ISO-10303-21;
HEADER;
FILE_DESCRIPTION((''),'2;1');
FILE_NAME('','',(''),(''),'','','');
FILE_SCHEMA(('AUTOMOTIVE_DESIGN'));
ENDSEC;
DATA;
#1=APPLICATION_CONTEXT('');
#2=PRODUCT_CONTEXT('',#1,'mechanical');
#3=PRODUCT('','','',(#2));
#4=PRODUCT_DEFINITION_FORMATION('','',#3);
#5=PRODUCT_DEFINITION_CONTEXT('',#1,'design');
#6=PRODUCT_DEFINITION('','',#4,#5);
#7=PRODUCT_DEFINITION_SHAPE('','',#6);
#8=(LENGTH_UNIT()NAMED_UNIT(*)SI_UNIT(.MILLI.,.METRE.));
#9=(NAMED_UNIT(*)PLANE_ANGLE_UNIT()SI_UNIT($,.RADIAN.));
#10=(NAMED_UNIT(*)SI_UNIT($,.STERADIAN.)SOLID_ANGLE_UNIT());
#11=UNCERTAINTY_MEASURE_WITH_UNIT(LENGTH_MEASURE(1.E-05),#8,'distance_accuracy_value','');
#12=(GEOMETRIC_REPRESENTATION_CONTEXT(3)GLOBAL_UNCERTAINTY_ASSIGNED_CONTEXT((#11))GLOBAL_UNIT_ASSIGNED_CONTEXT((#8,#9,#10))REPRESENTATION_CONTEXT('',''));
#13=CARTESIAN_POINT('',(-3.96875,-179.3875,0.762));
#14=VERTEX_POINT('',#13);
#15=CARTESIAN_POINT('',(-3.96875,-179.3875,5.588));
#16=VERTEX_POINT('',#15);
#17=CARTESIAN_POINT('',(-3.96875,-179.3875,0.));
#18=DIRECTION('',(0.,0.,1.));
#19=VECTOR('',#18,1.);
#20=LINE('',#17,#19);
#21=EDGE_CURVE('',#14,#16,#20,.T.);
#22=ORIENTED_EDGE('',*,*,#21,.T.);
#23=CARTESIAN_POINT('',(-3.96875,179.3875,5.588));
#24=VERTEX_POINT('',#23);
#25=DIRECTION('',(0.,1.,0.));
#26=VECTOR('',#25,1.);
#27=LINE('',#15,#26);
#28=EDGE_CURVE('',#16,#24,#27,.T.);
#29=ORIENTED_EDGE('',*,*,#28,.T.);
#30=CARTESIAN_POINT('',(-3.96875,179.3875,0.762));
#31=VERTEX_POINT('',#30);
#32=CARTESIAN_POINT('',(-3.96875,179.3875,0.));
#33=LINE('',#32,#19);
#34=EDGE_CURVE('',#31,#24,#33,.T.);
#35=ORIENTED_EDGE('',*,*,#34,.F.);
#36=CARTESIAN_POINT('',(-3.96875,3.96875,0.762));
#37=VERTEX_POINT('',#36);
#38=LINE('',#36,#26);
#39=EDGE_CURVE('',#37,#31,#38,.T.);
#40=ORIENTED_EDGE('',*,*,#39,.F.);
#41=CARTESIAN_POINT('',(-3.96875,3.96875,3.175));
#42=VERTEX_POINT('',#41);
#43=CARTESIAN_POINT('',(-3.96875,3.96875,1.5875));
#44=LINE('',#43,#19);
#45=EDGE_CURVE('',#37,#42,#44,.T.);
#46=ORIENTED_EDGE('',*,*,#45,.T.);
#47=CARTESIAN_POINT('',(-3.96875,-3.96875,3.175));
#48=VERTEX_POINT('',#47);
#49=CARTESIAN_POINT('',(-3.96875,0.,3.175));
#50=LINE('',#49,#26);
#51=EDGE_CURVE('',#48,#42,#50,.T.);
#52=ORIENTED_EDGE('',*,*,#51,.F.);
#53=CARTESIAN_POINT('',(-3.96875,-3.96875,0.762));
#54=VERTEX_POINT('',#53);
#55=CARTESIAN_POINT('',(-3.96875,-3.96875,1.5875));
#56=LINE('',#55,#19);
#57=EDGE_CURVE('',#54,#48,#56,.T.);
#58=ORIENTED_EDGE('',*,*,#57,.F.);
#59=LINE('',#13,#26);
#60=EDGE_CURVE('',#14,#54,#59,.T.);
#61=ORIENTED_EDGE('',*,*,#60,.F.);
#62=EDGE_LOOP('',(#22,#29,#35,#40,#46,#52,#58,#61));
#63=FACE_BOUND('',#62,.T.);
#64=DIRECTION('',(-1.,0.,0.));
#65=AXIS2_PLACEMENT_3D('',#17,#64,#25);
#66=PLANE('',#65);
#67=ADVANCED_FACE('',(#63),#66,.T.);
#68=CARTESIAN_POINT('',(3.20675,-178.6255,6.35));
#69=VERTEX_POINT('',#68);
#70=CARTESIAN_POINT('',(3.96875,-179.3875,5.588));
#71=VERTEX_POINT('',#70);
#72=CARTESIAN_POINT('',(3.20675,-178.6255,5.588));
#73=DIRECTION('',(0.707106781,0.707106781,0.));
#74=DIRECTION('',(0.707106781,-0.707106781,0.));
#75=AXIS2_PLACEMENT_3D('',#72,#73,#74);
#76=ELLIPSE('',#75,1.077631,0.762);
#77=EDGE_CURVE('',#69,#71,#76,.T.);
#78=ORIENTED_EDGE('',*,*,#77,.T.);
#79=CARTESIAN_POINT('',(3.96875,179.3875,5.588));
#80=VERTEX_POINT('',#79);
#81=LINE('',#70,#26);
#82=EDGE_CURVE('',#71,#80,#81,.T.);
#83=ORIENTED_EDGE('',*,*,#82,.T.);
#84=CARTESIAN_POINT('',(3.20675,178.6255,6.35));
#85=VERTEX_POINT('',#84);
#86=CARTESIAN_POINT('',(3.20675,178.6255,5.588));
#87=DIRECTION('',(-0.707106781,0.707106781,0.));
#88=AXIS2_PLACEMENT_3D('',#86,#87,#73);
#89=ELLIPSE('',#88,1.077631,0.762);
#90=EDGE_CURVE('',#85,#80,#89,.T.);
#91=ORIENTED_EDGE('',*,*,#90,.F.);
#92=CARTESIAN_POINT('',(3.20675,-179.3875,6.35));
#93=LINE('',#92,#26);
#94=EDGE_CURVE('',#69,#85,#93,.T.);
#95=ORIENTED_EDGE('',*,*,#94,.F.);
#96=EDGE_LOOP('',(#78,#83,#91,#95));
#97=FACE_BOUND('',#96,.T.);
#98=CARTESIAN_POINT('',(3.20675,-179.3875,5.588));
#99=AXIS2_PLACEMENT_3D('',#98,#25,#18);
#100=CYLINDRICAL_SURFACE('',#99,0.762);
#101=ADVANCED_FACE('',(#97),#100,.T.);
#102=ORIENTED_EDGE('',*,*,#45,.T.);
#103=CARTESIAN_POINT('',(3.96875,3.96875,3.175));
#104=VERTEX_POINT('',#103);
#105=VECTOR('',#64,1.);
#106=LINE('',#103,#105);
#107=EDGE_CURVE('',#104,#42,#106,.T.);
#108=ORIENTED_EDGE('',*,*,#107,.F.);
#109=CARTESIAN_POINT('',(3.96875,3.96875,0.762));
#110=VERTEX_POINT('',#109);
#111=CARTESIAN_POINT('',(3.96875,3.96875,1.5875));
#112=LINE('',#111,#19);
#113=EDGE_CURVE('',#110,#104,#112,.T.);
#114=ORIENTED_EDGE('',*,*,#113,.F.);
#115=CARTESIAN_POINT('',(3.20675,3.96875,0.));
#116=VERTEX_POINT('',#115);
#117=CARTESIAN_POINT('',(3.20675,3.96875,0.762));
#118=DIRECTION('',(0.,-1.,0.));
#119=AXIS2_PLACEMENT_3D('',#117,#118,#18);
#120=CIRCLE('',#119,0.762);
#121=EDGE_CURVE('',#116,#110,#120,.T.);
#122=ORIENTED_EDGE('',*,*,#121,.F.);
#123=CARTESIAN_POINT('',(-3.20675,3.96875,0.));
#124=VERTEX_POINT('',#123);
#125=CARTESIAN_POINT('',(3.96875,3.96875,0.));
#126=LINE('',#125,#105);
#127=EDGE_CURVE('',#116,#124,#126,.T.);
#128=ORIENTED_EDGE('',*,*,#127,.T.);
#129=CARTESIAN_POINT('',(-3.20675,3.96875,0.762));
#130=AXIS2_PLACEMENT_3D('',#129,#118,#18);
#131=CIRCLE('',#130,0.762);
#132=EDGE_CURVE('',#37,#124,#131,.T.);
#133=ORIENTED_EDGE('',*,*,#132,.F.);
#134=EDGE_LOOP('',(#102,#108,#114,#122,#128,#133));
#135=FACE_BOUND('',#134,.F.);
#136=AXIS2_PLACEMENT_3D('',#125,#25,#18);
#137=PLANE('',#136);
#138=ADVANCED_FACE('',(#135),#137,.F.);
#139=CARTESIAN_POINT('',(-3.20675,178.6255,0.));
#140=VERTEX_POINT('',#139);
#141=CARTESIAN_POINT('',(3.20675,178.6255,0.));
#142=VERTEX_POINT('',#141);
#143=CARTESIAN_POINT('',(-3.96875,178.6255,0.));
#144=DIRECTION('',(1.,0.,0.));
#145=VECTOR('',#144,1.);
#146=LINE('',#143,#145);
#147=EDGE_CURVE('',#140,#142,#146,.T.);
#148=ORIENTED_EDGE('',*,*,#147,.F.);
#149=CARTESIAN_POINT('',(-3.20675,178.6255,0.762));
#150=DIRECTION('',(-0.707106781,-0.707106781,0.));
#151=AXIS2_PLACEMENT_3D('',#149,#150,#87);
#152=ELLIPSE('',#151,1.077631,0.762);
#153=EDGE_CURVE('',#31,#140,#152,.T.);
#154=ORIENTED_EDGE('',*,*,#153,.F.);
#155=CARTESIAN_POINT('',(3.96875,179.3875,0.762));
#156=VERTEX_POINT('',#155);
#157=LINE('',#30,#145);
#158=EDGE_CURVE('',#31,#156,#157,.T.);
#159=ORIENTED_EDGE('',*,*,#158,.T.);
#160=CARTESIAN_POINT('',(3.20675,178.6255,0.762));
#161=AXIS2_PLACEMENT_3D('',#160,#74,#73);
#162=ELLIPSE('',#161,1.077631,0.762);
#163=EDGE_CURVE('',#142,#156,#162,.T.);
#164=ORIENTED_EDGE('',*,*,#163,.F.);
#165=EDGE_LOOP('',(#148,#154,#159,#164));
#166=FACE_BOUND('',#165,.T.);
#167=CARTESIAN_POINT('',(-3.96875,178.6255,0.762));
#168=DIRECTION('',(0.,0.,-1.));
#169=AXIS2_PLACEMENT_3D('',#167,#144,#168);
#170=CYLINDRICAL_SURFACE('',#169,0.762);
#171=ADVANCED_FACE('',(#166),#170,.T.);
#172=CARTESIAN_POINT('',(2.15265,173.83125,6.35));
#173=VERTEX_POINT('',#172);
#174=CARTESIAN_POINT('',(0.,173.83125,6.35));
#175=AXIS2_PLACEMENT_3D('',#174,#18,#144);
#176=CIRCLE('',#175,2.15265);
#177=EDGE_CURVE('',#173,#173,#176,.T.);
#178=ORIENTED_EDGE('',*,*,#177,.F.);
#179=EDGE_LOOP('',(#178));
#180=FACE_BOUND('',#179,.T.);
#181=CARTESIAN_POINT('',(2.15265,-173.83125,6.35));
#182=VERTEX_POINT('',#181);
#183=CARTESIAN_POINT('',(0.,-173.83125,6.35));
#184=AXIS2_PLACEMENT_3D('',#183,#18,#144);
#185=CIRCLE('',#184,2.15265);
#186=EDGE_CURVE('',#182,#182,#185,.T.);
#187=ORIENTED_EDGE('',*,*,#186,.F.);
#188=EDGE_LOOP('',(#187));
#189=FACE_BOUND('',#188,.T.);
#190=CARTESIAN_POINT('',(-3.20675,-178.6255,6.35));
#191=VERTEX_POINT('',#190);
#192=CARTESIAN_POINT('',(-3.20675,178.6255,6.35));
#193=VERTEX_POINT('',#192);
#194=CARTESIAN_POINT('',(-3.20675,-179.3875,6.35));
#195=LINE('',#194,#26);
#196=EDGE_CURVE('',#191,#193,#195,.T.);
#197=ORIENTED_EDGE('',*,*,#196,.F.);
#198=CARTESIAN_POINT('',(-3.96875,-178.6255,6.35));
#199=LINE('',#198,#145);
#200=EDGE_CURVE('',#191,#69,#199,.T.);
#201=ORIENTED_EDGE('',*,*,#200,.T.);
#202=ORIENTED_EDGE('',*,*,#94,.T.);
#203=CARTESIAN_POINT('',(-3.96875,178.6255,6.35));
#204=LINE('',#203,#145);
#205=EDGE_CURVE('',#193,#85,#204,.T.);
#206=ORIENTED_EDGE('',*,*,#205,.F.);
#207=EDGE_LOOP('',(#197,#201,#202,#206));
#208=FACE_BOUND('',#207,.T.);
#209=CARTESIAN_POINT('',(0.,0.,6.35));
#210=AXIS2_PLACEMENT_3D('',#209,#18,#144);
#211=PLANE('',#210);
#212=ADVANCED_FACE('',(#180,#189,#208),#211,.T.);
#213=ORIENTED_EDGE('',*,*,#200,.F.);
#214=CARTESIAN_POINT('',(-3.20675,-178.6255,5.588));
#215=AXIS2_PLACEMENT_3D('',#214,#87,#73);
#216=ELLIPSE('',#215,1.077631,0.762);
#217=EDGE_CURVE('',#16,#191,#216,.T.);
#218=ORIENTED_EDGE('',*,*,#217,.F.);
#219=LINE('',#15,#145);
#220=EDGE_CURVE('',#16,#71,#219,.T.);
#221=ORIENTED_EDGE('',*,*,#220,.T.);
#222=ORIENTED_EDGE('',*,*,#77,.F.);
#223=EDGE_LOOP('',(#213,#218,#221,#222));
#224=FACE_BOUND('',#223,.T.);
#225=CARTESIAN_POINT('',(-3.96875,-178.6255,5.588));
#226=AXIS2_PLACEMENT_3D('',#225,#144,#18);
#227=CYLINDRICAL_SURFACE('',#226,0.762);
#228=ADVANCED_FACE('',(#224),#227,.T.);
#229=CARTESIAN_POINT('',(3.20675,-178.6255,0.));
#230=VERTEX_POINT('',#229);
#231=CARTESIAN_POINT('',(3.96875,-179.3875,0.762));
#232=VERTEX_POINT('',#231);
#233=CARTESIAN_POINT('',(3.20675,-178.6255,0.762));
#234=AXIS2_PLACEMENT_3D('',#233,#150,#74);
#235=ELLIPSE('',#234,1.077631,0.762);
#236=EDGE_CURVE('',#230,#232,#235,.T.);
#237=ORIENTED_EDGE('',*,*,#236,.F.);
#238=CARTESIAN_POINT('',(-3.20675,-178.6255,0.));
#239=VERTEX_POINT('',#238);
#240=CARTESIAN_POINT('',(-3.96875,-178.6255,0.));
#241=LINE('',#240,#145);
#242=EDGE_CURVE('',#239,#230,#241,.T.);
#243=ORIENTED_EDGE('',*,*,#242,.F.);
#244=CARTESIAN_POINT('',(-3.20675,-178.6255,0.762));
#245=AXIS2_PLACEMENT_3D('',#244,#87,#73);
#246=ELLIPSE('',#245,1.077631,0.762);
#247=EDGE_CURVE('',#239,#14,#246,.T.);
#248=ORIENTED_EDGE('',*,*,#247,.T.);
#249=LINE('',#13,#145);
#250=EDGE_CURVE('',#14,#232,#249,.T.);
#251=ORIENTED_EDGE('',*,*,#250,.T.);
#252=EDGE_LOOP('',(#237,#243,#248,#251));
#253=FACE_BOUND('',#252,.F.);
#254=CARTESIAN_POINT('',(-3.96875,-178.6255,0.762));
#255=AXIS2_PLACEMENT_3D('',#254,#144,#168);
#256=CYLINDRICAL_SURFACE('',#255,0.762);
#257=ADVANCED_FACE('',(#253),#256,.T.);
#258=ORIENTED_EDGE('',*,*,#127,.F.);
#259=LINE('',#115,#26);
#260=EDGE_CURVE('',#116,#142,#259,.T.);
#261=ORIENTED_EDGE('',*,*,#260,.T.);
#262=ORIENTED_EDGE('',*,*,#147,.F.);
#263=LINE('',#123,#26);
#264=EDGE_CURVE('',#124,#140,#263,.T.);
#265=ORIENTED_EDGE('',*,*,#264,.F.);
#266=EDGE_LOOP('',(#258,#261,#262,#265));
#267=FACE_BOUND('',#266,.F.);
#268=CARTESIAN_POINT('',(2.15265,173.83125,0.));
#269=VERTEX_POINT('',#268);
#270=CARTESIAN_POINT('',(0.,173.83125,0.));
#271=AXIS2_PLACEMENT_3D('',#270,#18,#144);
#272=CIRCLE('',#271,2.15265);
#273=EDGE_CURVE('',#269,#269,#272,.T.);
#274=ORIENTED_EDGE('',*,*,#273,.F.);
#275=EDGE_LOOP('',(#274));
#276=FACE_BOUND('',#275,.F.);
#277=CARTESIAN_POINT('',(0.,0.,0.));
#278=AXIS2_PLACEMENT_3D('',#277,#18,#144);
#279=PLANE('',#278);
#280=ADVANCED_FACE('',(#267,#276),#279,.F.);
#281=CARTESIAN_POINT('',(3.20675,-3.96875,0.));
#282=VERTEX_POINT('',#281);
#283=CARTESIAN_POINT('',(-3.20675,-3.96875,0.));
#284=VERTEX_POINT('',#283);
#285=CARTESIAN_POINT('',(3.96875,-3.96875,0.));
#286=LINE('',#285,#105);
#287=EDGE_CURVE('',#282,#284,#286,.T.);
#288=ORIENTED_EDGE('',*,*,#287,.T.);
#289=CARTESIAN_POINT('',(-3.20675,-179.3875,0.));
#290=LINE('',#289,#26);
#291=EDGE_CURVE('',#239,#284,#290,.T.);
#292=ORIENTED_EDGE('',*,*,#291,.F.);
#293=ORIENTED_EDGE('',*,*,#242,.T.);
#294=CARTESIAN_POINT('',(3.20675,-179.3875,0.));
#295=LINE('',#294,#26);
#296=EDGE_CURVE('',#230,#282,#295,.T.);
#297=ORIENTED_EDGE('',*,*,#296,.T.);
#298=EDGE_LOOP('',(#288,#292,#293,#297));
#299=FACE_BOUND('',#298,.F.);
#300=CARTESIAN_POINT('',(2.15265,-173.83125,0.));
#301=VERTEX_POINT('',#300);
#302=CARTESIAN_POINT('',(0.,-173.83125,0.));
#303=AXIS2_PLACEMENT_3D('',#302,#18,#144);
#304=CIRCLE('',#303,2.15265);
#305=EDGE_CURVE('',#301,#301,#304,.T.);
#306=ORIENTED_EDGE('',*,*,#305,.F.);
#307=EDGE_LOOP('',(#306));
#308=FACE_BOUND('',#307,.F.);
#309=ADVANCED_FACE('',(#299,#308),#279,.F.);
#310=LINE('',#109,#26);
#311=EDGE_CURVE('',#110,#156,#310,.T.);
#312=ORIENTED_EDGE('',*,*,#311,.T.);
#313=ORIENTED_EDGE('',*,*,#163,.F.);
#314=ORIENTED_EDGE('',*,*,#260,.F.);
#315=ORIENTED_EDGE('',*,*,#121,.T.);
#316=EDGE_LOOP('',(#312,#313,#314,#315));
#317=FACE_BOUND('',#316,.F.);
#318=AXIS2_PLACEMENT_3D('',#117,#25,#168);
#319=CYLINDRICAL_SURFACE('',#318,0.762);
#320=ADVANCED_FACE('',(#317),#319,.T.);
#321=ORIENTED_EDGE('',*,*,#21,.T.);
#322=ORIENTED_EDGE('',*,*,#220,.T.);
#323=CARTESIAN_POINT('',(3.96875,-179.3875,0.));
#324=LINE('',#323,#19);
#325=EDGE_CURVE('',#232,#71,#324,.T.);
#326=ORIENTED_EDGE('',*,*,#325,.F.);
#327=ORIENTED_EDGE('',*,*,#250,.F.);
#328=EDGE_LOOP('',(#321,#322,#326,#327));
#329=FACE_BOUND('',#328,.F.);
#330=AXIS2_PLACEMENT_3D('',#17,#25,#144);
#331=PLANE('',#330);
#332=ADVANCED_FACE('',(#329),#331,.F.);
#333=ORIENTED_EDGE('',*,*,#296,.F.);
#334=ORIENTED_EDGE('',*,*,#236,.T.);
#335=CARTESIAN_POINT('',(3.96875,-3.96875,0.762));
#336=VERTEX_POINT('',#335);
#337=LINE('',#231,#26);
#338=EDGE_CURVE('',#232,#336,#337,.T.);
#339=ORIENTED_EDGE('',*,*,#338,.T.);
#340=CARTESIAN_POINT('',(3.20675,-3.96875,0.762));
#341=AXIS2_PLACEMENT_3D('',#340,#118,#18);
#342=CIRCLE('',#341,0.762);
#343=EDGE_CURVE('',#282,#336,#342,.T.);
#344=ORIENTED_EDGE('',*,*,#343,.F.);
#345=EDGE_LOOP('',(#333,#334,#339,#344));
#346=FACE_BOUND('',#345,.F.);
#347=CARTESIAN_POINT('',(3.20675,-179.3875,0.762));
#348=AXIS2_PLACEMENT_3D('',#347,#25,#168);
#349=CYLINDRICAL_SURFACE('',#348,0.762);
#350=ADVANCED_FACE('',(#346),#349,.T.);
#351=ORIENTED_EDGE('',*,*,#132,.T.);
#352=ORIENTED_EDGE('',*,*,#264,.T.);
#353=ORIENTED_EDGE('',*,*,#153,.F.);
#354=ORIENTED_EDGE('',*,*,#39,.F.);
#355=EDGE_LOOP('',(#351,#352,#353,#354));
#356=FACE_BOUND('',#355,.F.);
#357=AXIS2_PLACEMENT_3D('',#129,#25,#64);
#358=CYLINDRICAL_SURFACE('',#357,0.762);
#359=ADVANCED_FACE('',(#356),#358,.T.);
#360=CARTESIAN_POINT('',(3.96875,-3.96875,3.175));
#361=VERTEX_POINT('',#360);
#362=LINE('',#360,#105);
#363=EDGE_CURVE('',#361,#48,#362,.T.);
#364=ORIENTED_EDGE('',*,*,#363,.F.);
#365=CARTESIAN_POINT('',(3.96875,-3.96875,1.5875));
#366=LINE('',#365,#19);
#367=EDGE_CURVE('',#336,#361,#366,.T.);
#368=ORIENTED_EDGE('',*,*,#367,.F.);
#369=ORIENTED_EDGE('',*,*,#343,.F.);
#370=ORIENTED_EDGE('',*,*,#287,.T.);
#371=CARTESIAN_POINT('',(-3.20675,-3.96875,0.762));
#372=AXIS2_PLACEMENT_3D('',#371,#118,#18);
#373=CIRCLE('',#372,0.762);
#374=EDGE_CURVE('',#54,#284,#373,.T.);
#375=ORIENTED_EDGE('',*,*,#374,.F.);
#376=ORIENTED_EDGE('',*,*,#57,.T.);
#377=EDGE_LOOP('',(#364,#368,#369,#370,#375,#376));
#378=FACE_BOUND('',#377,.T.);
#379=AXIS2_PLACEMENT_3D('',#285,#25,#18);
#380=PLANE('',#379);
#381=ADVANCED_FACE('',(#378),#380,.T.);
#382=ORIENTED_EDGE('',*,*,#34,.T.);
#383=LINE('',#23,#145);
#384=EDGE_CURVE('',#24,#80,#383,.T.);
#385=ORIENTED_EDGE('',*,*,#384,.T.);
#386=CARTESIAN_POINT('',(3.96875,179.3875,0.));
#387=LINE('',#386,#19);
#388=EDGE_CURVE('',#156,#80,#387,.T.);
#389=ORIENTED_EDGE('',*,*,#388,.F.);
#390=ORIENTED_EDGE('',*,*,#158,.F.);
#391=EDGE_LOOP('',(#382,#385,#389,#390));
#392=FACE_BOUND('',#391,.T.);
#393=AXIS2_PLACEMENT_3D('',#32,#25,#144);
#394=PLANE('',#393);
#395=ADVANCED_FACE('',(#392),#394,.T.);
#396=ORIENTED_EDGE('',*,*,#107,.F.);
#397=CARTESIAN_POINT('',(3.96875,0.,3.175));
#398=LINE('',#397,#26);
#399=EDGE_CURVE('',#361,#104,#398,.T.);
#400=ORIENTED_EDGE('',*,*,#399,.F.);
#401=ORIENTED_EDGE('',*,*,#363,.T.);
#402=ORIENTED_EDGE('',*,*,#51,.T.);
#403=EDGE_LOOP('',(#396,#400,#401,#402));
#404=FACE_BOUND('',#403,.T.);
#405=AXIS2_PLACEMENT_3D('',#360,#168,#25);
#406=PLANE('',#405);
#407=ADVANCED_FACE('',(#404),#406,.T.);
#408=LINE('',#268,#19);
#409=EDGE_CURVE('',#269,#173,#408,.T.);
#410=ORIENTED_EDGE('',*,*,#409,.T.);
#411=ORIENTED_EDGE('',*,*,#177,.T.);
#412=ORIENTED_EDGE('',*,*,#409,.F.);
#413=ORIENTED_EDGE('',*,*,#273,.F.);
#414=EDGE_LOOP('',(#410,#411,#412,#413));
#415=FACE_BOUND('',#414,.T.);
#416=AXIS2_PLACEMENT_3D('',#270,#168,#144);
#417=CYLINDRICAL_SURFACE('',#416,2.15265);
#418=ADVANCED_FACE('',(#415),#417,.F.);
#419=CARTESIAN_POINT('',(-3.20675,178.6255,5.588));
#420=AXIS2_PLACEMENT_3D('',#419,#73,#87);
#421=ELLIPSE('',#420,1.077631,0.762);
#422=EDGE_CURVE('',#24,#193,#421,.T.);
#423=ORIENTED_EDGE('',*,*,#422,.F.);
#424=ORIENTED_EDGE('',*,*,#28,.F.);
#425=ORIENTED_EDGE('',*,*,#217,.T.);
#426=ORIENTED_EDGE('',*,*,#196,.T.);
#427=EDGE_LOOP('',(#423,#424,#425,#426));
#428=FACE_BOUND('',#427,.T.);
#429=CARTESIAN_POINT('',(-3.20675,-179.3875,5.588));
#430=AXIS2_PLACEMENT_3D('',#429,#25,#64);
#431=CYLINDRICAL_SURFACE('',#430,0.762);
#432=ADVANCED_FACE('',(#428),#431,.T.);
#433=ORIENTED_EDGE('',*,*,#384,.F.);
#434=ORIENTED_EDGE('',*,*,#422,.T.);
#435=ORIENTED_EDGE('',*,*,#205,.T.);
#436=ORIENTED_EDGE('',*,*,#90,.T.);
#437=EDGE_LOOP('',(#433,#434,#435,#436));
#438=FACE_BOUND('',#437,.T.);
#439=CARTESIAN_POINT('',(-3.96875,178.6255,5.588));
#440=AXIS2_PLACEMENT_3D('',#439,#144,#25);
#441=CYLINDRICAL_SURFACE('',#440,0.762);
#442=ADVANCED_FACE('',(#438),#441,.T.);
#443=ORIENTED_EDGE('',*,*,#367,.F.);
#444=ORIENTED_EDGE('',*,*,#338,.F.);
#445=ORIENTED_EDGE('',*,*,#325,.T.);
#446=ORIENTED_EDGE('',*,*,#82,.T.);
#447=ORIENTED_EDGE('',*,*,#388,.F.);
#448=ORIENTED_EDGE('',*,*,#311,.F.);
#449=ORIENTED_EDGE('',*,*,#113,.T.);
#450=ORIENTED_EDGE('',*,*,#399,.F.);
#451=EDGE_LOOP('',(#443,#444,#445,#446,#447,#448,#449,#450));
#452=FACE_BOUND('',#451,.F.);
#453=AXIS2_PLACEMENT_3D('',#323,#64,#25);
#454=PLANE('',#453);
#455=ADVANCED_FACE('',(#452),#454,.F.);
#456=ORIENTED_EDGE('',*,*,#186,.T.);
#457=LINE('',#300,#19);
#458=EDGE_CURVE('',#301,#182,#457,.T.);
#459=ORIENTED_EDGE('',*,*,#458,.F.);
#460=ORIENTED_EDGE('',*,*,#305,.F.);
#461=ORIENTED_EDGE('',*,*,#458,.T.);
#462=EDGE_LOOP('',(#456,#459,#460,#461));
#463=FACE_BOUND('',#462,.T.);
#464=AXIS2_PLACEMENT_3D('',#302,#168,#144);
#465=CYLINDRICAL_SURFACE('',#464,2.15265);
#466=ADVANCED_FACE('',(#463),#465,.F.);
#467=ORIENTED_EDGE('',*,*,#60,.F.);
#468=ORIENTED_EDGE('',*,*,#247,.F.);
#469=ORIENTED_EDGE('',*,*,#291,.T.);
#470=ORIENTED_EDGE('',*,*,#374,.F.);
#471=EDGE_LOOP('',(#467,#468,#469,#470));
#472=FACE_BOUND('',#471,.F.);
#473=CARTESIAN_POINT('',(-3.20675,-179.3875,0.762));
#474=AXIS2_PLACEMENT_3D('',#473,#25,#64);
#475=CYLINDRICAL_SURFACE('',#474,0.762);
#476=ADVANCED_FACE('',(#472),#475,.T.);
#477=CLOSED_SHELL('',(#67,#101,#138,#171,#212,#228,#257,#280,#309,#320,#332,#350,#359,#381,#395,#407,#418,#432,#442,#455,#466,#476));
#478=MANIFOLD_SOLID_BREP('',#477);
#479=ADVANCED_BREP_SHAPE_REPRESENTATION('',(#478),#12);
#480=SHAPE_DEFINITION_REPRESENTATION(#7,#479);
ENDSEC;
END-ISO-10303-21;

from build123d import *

# Parameters (mm, degrees)
F0_W     = 7.9375
F0_H     = 358.775
F0_R     = 2.15265
F1_DEPTH = 6.35
F2_W     = 7.9375
F2_H     = 3.175
F3_DEPTH = 7.9375
F4_R     = 0.762


with BuildPart() as f1:
    # F0 (on Top) → F1 (new body)
    with BuildSketch(Plane.XY):
        Rectangle(F0_W, F0_H)
        with Locations((0, -173.83125)):
            Circle(F0_R, mode=Mode.SUBTRACT)
        with Locations((0, 173.83125)):
            Circle(F0_R, mode=Mode.SUBTRACT)
    extrude(amount=F1_DEPTH)

    # F2 (on face) → F3 (cut, through all)
    with BuildSketch(Plane.YZ.offset(3.96875)):
        with Locations((0, 1.5875)):
            Rectangle(F2_W, F2_H)
    extrude(amount=-F3_DEPTH, mode=Mode.SUBTRACT)

    # F4
    f4_edges = [f1.edges().sort_by_distance(p)[0] for p in [
        (0, -179.3875, 0),
        (3.96875, -91.678125, 0),
        (3.96875, 91.678125, 0),
        (-3.96875, 91.678125, 0),
        (-3.96875, -91.678125, 0),
        (0, 179.3875, 0),
        (-3.96875, 0, 6.35),
        (0, -179.3875, 6.35),
        (3.96875, 0, 6.35),
        (0, 179.3875, 6.35),
    ]]
    fillet(f4_edges, radius=F4_R)


solid = f1.part
